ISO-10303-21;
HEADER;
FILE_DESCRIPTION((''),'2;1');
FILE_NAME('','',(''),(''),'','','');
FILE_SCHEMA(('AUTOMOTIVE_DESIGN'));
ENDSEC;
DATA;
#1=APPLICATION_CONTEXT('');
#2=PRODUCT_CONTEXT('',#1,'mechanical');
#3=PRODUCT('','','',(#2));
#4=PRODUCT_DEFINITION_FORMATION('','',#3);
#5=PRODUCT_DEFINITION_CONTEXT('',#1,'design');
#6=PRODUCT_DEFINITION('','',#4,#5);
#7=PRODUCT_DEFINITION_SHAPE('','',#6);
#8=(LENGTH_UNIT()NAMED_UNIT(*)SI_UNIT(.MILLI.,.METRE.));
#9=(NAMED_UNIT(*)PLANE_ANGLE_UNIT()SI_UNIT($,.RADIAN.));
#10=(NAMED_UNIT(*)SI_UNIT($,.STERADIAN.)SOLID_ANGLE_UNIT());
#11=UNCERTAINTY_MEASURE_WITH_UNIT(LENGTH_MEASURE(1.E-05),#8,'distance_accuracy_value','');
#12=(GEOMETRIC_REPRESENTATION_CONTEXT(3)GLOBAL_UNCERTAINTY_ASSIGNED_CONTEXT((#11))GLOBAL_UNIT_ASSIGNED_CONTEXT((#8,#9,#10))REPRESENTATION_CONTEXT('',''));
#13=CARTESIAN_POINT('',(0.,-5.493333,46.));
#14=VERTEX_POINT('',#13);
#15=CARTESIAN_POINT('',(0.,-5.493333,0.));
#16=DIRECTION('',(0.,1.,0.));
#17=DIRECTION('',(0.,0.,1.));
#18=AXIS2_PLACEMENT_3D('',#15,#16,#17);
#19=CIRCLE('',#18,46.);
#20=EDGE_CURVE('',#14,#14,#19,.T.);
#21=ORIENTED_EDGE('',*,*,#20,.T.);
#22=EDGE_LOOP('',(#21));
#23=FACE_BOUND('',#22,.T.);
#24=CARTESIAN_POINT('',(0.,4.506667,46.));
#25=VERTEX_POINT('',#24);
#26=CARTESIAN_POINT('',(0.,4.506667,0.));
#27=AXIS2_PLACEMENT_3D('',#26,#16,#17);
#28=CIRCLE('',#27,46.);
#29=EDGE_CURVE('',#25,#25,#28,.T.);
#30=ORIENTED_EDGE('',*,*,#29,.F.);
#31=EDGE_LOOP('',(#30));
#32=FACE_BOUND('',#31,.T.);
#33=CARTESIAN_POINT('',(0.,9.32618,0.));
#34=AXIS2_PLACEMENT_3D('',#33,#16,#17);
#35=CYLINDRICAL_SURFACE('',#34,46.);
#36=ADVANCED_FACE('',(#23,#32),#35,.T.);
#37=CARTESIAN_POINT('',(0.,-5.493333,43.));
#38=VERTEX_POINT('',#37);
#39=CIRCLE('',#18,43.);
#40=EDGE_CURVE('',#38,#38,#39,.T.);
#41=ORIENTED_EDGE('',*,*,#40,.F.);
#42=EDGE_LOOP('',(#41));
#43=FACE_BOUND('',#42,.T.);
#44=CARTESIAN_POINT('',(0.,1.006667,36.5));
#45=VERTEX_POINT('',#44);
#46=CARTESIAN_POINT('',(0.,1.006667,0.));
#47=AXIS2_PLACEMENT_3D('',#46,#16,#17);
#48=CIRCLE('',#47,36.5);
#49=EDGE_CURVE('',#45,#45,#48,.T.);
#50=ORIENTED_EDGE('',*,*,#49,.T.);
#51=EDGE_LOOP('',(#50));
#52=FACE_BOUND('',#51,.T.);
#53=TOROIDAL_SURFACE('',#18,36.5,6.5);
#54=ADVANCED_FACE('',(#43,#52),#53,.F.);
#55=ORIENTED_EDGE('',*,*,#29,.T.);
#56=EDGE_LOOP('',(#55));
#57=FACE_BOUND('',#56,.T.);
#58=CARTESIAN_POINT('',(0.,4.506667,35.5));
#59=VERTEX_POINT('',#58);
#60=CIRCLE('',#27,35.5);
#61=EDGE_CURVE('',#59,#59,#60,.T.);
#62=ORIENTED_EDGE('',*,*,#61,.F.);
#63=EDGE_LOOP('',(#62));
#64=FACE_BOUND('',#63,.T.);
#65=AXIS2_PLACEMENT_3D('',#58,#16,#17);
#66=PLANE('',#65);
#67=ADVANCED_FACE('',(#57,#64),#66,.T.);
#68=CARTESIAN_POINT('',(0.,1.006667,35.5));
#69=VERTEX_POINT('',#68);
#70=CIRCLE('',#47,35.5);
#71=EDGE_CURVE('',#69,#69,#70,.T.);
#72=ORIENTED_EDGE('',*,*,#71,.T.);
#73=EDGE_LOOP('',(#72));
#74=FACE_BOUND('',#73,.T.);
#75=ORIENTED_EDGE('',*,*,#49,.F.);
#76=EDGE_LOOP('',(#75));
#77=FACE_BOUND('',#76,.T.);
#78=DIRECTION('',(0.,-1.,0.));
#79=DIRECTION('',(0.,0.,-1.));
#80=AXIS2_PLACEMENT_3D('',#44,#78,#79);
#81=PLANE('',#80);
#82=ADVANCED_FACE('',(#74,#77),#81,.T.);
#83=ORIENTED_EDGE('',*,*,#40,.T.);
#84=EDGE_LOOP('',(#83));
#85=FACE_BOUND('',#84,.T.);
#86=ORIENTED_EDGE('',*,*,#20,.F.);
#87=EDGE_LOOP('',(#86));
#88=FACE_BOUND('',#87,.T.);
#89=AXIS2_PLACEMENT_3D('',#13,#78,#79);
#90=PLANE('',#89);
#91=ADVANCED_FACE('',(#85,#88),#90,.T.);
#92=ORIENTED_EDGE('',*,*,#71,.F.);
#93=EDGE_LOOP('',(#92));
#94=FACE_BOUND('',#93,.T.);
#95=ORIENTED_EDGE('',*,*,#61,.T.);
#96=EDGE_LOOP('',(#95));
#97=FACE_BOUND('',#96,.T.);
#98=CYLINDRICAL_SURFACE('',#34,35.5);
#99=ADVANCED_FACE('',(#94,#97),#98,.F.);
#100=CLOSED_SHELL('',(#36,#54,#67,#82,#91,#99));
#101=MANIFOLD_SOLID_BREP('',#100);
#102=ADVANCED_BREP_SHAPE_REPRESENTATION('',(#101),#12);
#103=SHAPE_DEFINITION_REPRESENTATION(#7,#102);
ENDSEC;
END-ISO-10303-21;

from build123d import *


with BuildPart() as part:
    # Sketch1 → Revolve1 (revolve)
    with BuildSketch(Plane(origin=(0, 0, 0), x_dir=(0, 0, -1), z_dir=(1, 0, 0))):
        with BuildLine():
            Line((-35.5, 4.506666604), (-46, 4.506666604))
            Line((-46, 4.506666604), (-46, -5.493333396))
            Line((-46, -5.493333396), (-43, -5.493333396))
            ThreePointArc((-43, -5.493333396), (-41.096194078, -0.897139319), (-36.5, 1.006666604))
            Line((-36.5, 1.006666604), (-35.5, 1.006666604))
            Line((-35.5, 1.006666604), (-35.5, 4.506666604))
        make_face()
    revolve(axis=Axis((0, 9.32617969, 0), (0, -1, 0)))


solid = part.part
